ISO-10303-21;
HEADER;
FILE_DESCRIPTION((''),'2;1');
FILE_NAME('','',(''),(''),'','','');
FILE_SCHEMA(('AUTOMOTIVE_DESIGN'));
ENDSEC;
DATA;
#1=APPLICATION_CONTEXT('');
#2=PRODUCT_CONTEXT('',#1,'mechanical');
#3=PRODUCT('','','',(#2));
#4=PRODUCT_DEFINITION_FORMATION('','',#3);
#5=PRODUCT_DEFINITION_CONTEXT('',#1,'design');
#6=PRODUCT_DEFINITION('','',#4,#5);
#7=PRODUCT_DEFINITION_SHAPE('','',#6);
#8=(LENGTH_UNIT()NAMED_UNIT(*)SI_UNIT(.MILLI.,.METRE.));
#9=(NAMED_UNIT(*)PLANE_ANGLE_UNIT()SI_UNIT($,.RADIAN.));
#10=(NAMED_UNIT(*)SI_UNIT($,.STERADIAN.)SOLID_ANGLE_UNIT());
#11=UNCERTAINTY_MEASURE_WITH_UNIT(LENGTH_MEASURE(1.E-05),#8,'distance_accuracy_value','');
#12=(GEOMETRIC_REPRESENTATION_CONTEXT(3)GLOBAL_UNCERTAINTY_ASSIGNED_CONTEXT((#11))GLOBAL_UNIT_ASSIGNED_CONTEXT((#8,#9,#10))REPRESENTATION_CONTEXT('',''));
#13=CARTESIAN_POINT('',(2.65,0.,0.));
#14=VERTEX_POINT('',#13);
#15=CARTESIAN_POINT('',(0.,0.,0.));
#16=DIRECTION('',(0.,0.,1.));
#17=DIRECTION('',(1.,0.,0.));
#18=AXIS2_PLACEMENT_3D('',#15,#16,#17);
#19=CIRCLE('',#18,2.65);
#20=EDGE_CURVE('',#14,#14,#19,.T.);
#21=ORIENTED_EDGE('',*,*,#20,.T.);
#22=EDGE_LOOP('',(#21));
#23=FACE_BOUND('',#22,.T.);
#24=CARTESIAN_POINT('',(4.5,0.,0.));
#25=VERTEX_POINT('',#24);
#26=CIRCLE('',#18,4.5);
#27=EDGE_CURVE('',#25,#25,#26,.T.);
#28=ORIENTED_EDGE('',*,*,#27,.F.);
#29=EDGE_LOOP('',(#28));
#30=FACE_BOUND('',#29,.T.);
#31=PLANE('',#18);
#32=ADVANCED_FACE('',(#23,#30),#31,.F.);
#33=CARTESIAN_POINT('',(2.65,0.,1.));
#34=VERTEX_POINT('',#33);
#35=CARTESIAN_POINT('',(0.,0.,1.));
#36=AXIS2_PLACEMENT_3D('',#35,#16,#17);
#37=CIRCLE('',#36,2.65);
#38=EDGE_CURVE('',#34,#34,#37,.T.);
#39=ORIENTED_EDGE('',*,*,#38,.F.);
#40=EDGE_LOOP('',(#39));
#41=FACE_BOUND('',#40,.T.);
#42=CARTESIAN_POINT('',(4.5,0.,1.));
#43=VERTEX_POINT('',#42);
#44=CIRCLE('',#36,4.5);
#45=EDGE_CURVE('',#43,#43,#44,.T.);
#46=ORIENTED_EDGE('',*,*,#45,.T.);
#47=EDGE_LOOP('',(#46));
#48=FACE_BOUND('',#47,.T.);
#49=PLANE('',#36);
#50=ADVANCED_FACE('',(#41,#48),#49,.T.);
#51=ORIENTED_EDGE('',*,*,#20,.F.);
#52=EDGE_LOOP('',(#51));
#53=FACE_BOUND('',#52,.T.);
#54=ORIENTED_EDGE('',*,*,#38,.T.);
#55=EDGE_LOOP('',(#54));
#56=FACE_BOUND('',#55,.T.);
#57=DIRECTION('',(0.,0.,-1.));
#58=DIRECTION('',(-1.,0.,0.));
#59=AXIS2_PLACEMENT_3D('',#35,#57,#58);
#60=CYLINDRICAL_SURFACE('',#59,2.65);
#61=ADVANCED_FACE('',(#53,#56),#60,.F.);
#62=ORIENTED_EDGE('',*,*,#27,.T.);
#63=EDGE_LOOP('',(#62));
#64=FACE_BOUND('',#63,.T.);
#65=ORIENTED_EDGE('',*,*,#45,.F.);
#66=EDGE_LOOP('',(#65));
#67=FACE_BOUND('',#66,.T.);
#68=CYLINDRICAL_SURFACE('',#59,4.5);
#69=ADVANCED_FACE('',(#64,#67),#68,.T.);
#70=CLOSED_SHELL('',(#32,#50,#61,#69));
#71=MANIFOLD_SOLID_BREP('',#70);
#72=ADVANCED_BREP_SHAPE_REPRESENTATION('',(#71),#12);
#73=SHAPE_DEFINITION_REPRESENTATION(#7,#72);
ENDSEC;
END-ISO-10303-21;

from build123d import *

# Parameters (mm, degrees)
SKETCH_1_R      = 4.5
SKETCH_1_R_2    = 2.65
EXTRUDE_1_DEPTH = 1


with BuildPart() as part:
    # Эскиз1 → Бобышка-Вытянуть1 (new body)
    with BuildSketch(Plane.XY):
        Circle(SKETCH_1_R)
        Circle(SKETCH_1_R_2, mode=Mode.SUBTRACT)
    extrude(amount=EXTRUDE_1_DEPTH)


solid = part.part
